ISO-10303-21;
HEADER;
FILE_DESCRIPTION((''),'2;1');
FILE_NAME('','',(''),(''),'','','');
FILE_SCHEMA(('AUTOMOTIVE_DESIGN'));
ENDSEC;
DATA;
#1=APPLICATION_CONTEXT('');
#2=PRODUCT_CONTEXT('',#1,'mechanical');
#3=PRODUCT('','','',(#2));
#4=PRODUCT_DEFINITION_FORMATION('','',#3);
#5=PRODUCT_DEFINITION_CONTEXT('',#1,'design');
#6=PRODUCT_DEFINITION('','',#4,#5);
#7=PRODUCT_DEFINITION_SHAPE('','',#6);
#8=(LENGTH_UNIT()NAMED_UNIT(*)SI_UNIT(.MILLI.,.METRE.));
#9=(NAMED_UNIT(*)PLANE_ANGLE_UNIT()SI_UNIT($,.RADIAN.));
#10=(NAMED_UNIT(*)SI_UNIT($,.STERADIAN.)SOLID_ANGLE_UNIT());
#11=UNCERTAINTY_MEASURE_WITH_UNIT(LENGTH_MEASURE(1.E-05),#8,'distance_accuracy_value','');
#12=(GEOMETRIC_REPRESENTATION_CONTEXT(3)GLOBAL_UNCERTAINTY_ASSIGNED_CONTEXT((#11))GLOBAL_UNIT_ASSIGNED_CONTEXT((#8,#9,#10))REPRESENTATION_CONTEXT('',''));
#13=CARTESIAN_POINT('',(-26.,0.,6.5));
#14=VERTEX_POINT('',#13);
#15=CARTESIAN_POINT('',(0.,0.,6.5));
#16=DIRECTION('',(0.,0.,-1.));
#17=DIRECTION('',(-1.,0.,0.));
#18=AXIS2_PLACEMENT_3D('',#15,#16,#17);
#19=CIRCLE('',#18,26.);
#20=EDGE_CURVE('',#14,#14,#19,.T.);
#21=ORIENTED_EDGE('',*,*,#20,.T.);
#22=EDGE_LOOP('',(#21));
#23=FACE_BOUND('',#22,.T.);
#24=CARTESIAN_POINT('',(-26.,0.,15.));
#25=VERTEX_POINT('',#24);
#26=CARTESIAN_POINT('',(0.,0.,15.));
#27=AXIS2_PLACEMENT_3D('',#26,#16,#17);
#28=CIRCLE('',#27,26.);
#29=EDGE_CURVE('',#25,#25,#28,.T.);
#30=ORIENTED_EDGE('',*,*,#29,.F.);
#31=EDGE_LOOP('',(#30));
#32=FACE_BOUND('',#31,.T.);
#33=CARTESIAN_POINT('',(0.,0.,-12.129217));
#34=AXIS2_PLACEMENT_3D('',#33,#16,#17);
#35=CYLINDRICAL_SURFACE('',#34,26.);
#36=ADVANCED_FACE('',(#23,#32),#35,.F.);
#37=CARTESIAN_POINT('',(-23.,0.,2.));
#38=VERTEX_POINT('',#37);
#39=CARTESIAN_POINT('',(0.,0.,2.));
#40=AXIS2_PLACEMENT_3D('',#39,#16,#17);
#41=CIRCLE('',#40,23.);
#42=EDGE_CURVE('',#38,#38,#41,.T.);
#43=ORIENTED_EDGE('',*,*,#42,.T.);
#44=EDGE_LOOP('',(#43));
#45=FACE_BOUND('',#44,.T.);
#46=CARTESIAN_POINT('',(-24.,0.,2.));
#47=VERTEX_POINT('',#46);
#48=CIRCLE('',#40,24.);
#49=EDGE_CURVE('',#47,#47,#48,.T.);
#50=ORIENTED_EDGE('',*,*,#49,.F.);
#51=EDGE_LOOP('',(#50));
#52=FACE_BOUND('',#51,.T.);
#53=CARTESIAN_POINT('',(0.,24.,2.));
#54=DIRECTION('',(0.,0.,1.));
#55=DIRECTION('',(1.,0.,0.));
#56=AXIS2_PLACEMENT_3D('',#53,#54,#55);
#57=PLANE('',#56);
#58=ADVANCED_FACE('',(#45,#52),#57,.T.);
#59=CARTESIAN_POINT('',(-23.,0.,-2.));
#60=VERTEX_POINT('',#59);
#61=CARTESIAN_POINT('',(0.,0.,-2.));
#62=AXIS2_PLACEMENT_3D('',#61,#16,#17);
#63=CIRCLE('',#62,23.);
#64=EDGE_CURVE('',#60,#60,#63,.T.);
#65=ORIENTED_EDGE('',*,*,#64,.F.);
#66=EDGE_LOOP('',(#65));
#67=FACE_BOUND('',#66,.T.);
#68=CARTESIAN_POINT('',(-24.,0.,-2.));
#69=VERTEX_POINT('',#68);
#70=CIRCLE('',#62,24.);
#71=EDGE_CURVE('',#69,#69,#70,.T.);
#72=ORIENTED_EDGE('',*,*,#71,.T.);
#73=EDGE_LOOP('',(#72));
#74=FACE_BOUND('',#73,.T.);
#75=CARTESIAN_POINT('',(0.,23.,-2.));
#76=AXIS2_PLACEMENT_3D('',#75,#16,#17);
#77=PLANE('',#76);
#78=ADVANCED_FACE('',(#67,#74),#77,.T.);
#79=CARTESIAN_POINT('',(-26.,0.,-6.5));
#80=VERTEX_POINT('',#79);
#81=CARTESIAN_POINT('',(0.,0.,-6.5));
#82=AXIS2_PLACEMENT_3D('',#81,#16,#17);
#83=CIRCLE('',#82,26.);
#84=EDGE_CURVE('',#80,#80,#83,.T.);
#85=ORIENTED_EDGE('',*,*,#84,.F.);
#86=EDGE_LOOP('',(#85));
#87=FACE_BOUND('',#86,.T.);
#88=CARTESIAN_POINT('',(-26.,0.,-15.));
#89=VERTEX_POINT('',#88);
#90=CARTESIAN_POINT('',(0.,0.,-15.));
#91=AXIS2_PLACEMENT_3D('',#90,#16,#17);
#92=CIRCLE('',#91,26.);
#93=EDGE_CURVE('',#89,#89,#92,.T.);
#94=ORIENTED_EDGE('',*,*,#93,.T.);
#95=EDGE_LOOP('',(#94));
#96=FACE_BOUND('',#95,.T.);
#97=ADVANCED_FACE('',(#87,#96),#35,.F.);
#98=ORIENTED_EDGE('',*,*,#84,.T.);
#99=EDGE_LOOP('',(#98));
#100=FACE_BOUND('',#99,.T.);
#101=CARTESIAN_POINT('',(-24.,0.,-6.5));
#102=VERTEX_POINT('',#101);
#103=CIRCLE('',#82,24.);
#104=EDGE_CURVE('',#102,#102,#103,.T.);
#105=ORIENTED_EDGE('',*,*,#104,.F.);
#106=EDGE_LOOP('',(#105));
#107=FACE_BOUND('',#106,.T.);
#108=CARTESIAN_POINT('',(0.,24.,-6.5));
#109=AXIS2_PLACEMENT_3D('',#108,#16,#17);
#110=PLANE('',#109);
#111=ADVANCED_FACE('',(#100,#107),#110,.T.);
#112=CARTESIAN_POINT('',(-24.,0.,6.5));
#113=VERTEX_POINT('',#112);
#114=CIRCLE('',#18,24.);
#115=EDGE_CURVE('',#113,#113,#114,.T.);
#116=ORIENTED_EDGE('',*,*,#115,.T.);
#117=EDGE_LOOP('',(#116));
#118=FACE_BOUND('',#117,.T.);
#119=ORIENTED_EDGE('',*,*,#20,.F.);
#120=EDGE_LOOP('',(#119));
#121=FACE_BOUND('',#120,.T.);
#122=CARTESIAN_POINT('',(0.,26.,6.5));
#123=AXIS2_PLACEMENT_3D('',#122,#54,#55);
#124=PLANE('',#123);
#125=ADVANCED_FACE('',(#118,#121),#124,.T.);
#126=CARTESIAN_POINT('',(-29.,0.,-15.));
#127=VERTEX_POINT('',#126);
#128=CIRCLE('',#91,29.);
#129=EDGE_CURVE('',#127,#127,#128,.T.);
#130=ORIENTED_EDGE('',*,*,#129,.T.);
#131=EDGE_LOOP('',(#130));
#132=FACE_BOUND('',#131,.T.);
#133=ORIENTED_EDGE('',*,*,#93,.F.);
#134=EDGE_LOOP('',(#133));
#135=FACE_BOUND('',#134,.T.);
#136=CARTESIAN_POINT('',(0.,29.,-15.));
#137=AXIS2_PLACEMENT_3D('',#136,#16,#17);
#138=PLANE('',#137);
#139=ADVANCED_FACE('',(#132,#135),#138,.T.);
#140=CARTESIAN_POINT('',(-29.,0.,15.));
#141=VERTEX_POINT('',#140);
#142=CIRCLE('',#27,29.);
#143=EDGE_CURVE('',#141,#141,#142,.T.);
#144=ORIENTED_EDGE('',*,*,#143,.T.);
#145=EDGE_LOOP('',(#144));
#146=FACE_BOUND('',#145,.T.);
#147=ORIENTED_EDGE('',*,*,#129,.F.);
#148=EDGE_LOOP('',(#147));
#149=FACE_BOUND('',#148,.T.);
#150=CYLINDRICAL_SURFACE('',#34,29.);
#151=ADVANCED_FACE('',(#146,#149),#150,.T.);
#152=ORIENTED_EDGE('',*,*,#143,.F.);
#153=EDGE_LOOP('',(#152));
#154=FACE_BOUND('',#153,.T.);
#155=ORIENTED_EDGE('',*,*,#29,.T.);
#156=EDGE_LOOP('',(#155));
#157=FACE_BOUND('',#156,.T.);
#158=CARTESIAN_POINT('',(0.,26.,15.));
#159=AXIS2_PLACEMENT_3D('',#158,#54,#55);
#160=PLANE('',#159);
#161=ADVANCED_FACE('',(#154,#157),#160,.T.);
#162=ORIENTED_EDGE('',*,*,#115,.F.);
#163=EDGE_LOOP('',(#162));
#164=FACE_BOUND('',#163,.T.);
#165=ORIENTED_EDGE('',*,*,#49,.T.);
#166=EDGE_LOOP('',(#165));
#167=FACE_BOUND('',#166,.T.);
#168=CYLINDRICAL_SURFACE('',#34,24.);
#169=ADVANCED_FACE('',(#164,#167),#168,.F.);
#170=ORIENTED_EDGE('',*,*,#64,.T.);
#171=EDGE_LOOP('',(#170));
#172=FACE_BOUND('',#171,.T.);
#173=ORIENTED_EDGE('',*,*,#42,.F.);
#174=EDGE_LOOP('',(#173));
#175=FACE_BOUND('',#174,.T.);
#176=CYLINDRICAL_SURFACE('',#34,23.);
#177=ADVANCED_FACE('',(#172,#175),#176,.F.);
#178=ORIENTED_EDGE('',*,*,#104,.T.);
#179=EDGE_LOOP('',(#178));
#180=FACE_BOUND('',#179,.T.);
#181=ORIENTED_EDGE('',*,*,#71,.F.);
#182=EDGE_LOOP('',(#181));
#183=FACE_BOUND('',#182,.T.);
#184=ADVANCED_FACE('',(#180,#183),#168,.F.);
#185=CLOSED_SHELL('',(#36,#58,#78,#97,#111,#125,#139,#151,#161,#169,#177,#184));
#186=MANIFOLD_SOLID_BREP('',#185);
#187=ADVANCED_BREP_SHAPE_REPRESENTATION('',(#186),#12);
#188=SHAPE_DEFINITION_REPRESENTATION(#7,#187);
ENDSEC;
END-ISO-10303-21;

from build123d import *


with BuildPart() as part:
    # Skizze1 → Rotation1 (revolve)
    with BuildSketch(Plane(origin=(0, 0, 0), x_dir=(0, 0, -1), z_dir=(1, 0, 0))):
        Polygon((-15, 29), (15, 29), (15, 26), (6.5, 26), (6.5, 24), (2, 24), (2, 23), (-2, 23), (-2, 24), (-6.5, 24), (-6.5, 26), (-15, 26), align=None)
    revolve(axis=Axis((0, 0, -12.129217255), (0, 0, 1)))


solid = part.part
